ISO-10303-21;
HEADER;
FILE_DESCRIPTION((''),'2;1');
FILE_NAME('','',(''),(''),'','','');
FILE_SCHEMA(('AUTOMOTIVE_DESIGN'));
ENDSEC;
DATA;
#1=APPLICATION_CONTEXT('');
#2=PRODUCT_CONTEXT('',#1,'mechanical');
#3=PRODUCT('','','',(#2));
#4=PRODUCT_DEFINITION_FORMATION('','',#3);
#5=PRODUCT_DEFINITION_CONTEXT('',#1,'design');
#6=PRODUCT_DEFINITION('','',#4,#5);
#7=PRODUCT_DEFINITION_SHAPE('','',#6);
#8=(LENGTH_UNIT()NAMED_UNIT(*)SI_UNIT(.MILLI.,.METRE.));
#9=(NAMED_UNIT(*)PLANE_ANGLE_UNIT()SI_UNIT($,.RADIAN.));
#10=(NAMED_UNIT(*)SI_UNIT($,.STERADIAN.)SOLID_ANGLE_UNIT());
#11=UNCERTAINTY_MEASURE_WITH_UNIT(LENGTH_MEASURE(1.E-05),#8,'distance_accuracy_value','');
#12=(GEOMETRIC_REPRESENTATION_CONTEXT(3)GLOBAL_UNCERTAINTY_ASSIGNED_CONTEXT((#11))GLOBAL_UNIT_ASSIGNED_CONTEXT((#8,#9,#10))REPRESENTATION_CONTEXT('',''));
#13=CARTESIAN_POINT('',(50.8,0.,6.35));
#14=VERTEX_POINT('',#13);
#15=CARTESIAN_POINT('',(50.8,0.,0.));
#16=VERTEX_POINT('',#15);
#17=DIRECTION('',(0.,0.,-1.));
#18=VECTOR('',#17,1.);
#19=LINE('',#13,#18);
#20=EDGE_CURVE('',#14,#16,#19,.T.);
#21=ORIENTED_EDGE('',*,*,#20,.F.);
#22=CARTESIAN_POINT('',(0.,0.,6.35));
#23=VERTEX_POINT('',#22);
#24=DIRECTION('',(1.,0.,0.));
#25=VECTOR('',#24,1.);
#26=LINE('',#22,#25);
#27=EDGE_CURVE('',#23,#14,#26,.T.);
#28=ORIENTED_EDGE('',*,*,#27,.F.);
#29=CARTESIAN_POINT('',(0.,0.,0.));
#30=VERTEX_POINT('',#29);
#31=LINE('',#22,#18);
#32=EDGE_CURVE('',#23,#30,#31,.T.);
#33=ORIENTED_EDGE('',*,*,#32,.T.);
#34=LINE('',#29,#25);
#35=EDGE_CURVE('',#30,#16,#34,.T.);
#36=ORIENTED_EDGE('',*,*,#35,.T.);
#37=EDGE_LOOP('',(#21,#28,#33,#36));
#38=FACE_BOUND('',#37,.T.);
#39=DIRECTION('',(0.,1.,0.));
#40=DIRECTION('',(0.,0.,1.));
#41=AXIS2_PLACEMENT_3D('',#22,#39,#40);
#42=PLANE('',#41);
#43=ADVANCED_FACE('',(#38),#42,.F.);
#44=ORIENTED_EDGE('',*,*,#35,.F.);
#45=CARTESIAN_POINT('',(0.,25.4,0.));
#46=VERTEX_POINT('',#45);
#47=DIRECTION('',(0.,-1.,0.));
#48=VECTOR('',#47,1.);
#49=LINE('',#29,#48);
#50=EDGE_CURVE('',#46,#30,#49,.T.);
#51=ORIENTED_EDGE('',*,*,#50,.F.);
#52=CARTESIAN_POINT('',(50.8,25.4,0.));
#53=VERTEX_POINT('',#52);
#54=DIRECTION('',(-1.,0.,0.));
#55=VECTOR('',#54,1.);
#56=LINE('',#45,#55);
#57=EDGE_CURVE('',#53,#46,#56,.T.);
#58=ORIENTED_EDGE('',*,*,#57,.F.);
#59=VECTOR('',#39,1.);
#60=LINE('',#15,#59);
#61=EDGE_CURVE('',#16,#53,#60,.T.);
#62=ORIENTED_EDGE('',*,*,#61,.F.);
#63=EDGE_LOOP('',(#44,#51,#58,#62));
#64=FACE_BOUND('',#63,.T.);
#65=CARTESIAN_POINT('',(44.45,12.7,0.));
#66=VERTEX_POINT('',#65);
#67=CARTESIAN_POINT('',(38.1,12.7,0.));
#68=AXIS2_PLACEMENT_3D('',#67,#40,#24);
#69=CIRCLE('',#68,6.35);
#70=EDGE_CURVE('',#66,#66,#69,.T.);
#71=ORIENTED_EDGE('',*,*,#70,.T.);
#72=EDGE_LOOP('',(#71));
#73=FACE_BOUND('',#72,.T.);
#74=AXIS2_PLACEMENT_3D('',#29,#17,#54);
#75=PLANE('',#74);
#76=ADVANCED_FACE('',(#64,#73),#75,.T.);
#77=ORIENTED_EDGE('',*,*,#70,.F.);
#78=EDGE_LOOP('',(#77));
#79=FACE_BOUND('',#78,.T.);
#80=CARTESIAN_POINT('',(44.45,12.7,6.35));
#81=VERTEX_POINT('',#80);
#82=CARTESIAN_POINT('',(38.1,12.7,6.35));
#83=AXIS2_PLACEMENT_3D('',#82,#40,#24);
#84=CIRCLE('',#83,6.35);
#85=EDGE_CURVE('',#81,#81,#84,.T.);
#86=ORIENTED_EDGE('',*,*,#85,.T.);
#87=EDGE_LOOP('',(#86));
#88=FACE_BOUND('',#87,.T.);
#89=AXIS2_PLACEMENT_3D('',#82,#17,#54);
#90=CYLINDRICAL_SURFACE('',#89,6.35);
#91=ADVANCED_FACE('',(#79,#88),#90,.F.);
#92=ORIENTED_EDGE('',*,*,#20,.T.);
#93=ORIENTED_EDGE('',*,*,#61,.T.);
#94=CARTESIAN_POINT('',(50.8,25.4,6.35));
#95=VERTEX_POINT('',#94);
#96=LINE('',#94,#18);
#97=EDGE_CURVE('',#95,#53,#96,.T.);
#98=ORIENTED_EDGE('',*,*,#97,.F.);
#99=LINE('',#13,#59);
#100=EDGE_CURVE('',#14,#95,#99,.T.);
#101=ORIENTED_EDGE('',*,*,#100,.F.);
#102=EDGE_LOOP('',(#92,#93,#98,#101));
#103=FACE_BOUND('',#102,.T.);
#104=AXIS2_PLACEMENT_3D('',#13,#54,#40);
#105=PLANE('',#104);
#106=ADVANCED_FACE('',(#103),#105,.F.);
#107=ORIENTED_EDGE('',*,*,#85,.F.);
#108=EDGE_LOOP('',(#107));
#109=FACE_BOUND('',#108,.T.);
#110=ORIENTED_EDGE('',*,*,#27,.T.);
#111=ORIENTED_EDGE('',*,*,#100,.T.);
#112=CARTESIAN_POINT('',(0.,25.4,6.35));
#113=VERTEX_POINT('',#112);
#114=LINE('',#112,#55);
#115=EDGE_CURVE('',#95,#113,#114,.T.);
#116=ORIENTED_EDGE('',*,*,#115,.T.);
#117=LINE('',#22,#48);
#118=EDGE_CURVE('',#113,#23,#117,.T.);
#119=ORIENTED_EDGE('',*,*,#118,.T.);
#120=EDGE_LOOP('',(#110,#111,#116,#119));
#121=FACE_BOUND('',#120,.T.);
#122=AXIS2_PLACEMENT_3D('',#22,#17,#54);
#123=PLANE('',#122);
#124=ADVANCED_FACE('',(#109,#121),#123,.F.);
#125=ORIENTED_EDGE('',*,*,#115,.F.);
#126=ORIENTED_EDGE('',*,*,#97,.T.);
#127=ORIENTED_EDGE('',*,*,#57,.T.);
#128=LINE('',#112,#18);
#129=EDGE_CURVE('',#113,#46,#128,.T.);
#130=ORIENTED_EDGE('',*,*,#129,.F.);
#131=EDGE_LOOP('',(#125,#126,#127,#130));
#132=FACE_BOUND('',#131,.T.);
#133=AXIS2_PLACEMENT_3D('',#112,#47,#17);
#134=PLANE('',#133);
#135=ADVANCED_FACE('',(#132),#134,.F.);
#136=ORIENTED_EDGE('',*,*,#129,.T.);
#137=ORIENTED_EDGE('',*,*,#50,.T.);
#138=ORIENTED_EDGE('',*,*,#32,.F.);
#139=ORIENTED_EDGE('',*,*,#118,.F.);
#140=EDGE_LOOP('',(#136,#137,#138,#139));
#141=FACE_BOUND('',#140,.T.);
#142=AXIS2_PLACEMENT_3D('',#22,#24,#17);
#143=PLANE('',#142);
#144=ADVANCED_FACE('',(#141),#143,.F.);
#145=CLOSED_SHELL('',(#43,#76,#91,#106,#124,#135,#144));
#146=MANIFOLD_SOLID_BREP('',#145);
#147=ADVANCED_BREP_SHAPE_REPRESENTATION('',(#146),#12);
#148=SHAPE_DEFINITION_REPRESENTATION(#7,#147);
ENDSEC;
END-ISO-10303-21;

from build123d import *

# Parameters (mm, degrees)
CROQUIS1_W              = 50.8
CROQUIS1_H              = 25.4
CROQUIS1_R              = 6.35
SALIENTE_EXTRUIR1_DEPTH = 6.35


with BuildPart() as part:
    # Croquis1 → Saliente-Extruir1 (new body)
    with BuildSketch(Plane.XY):
        with Locations((25.4, 12.7)):
            Rectangle(CROQUIS1_W, CROQUIS1_H)
        with Locations((38.1, 12.7)):
            Circle(CROQUIS1_R, mode=Mode.SUBTRACT)
    extrude(amount=SALIENTE_EXTRUIR1_DEPTH)


solid = part.part
